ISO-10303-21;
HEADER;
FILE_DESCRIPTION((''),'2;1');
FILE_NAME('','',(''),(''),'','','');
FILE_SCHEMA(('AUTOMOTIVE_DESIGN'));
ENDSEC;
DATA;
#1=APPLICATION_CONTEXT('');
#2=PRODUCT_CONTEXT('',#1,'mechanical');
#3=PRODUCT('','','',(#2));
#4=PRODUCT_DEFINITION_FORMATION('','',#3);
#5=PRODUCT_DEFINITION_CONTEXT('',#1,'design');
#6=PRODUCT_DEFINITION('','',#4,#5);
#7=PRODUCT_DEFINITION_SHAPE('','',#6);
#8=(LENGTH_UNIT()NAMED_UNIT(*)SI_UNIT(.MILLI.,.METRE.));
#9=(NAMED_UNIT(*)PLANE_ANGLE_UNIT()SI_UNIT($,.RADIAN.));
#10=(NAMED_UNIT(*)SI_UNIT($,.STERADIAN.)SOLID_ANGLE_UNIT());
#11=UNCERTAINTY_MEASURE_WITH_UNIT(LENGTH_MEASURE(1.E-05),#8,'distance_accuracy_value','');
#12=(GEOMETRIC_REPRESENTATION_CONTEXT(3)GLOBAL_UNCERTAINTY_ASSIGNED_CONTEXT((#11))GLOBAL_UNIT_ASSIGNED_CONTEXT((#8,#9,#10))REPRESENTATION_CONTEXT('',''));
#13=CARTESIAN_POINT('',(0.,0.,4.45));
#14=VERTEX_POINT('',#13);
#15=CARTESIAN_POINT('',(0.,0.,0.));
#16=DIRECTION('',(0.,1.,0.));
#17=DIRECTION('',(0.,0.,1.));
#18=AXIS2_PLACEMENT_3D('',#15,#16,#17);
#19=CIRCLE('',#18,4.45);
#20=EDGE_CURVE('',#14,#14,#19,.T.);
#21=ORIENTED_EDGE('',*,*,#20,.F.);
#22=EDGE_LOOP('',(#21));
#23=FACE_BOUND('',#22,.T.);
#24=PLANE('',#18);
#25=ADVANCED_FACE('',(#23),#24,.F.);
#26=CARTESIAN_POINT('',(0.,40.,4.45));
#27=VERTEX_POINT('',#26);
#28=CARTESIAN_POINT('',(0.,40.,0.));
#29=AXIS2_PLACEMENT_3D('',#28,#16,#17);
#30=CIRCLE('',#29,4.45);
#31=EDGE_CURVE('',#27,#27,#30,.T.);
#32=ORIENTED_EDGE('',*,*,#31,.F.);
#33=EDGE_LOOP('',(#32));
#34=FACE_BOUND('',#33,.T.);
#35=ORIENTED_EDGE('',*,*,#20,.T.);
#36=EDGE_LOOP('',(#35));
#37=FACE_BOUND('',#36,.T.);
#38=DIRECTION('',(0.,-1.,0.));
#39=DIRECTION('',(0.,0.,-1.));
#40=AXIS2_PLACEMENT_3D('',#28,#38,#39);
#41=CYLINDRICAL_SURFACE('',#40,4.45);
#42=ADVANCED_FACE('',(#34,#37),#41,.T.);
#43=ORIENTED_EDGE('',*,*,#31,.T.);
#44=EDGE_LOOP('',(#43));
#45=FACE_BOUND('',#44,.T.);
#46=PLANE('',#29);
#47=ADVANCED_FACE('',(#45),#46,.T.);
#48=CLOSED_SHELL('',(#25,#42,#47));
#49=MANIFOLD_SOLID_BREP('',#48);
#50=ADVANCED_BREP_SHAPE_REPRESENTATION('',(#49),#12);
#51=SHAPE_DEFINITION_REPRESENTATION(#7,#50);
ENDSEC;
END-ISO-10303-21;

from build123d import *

# Parameters (mm, degrees)
SKETCH2_R           = 4.45
BOSS_EXTRUDE1_DEPTH = 40


with BuildPart() as part:
    # Sketch2 → Boss-Extrude1 (new body)
    with BuildSketch(Plane(origin=(0, 0, 0), x_dir=(1, 0, 0), z_dir=(0, 1, 0))):
        Circle(SKETCH2_R)
    extrude(amount=BOSS_EXTRUDE1_DEPTH)


solid = part.part
